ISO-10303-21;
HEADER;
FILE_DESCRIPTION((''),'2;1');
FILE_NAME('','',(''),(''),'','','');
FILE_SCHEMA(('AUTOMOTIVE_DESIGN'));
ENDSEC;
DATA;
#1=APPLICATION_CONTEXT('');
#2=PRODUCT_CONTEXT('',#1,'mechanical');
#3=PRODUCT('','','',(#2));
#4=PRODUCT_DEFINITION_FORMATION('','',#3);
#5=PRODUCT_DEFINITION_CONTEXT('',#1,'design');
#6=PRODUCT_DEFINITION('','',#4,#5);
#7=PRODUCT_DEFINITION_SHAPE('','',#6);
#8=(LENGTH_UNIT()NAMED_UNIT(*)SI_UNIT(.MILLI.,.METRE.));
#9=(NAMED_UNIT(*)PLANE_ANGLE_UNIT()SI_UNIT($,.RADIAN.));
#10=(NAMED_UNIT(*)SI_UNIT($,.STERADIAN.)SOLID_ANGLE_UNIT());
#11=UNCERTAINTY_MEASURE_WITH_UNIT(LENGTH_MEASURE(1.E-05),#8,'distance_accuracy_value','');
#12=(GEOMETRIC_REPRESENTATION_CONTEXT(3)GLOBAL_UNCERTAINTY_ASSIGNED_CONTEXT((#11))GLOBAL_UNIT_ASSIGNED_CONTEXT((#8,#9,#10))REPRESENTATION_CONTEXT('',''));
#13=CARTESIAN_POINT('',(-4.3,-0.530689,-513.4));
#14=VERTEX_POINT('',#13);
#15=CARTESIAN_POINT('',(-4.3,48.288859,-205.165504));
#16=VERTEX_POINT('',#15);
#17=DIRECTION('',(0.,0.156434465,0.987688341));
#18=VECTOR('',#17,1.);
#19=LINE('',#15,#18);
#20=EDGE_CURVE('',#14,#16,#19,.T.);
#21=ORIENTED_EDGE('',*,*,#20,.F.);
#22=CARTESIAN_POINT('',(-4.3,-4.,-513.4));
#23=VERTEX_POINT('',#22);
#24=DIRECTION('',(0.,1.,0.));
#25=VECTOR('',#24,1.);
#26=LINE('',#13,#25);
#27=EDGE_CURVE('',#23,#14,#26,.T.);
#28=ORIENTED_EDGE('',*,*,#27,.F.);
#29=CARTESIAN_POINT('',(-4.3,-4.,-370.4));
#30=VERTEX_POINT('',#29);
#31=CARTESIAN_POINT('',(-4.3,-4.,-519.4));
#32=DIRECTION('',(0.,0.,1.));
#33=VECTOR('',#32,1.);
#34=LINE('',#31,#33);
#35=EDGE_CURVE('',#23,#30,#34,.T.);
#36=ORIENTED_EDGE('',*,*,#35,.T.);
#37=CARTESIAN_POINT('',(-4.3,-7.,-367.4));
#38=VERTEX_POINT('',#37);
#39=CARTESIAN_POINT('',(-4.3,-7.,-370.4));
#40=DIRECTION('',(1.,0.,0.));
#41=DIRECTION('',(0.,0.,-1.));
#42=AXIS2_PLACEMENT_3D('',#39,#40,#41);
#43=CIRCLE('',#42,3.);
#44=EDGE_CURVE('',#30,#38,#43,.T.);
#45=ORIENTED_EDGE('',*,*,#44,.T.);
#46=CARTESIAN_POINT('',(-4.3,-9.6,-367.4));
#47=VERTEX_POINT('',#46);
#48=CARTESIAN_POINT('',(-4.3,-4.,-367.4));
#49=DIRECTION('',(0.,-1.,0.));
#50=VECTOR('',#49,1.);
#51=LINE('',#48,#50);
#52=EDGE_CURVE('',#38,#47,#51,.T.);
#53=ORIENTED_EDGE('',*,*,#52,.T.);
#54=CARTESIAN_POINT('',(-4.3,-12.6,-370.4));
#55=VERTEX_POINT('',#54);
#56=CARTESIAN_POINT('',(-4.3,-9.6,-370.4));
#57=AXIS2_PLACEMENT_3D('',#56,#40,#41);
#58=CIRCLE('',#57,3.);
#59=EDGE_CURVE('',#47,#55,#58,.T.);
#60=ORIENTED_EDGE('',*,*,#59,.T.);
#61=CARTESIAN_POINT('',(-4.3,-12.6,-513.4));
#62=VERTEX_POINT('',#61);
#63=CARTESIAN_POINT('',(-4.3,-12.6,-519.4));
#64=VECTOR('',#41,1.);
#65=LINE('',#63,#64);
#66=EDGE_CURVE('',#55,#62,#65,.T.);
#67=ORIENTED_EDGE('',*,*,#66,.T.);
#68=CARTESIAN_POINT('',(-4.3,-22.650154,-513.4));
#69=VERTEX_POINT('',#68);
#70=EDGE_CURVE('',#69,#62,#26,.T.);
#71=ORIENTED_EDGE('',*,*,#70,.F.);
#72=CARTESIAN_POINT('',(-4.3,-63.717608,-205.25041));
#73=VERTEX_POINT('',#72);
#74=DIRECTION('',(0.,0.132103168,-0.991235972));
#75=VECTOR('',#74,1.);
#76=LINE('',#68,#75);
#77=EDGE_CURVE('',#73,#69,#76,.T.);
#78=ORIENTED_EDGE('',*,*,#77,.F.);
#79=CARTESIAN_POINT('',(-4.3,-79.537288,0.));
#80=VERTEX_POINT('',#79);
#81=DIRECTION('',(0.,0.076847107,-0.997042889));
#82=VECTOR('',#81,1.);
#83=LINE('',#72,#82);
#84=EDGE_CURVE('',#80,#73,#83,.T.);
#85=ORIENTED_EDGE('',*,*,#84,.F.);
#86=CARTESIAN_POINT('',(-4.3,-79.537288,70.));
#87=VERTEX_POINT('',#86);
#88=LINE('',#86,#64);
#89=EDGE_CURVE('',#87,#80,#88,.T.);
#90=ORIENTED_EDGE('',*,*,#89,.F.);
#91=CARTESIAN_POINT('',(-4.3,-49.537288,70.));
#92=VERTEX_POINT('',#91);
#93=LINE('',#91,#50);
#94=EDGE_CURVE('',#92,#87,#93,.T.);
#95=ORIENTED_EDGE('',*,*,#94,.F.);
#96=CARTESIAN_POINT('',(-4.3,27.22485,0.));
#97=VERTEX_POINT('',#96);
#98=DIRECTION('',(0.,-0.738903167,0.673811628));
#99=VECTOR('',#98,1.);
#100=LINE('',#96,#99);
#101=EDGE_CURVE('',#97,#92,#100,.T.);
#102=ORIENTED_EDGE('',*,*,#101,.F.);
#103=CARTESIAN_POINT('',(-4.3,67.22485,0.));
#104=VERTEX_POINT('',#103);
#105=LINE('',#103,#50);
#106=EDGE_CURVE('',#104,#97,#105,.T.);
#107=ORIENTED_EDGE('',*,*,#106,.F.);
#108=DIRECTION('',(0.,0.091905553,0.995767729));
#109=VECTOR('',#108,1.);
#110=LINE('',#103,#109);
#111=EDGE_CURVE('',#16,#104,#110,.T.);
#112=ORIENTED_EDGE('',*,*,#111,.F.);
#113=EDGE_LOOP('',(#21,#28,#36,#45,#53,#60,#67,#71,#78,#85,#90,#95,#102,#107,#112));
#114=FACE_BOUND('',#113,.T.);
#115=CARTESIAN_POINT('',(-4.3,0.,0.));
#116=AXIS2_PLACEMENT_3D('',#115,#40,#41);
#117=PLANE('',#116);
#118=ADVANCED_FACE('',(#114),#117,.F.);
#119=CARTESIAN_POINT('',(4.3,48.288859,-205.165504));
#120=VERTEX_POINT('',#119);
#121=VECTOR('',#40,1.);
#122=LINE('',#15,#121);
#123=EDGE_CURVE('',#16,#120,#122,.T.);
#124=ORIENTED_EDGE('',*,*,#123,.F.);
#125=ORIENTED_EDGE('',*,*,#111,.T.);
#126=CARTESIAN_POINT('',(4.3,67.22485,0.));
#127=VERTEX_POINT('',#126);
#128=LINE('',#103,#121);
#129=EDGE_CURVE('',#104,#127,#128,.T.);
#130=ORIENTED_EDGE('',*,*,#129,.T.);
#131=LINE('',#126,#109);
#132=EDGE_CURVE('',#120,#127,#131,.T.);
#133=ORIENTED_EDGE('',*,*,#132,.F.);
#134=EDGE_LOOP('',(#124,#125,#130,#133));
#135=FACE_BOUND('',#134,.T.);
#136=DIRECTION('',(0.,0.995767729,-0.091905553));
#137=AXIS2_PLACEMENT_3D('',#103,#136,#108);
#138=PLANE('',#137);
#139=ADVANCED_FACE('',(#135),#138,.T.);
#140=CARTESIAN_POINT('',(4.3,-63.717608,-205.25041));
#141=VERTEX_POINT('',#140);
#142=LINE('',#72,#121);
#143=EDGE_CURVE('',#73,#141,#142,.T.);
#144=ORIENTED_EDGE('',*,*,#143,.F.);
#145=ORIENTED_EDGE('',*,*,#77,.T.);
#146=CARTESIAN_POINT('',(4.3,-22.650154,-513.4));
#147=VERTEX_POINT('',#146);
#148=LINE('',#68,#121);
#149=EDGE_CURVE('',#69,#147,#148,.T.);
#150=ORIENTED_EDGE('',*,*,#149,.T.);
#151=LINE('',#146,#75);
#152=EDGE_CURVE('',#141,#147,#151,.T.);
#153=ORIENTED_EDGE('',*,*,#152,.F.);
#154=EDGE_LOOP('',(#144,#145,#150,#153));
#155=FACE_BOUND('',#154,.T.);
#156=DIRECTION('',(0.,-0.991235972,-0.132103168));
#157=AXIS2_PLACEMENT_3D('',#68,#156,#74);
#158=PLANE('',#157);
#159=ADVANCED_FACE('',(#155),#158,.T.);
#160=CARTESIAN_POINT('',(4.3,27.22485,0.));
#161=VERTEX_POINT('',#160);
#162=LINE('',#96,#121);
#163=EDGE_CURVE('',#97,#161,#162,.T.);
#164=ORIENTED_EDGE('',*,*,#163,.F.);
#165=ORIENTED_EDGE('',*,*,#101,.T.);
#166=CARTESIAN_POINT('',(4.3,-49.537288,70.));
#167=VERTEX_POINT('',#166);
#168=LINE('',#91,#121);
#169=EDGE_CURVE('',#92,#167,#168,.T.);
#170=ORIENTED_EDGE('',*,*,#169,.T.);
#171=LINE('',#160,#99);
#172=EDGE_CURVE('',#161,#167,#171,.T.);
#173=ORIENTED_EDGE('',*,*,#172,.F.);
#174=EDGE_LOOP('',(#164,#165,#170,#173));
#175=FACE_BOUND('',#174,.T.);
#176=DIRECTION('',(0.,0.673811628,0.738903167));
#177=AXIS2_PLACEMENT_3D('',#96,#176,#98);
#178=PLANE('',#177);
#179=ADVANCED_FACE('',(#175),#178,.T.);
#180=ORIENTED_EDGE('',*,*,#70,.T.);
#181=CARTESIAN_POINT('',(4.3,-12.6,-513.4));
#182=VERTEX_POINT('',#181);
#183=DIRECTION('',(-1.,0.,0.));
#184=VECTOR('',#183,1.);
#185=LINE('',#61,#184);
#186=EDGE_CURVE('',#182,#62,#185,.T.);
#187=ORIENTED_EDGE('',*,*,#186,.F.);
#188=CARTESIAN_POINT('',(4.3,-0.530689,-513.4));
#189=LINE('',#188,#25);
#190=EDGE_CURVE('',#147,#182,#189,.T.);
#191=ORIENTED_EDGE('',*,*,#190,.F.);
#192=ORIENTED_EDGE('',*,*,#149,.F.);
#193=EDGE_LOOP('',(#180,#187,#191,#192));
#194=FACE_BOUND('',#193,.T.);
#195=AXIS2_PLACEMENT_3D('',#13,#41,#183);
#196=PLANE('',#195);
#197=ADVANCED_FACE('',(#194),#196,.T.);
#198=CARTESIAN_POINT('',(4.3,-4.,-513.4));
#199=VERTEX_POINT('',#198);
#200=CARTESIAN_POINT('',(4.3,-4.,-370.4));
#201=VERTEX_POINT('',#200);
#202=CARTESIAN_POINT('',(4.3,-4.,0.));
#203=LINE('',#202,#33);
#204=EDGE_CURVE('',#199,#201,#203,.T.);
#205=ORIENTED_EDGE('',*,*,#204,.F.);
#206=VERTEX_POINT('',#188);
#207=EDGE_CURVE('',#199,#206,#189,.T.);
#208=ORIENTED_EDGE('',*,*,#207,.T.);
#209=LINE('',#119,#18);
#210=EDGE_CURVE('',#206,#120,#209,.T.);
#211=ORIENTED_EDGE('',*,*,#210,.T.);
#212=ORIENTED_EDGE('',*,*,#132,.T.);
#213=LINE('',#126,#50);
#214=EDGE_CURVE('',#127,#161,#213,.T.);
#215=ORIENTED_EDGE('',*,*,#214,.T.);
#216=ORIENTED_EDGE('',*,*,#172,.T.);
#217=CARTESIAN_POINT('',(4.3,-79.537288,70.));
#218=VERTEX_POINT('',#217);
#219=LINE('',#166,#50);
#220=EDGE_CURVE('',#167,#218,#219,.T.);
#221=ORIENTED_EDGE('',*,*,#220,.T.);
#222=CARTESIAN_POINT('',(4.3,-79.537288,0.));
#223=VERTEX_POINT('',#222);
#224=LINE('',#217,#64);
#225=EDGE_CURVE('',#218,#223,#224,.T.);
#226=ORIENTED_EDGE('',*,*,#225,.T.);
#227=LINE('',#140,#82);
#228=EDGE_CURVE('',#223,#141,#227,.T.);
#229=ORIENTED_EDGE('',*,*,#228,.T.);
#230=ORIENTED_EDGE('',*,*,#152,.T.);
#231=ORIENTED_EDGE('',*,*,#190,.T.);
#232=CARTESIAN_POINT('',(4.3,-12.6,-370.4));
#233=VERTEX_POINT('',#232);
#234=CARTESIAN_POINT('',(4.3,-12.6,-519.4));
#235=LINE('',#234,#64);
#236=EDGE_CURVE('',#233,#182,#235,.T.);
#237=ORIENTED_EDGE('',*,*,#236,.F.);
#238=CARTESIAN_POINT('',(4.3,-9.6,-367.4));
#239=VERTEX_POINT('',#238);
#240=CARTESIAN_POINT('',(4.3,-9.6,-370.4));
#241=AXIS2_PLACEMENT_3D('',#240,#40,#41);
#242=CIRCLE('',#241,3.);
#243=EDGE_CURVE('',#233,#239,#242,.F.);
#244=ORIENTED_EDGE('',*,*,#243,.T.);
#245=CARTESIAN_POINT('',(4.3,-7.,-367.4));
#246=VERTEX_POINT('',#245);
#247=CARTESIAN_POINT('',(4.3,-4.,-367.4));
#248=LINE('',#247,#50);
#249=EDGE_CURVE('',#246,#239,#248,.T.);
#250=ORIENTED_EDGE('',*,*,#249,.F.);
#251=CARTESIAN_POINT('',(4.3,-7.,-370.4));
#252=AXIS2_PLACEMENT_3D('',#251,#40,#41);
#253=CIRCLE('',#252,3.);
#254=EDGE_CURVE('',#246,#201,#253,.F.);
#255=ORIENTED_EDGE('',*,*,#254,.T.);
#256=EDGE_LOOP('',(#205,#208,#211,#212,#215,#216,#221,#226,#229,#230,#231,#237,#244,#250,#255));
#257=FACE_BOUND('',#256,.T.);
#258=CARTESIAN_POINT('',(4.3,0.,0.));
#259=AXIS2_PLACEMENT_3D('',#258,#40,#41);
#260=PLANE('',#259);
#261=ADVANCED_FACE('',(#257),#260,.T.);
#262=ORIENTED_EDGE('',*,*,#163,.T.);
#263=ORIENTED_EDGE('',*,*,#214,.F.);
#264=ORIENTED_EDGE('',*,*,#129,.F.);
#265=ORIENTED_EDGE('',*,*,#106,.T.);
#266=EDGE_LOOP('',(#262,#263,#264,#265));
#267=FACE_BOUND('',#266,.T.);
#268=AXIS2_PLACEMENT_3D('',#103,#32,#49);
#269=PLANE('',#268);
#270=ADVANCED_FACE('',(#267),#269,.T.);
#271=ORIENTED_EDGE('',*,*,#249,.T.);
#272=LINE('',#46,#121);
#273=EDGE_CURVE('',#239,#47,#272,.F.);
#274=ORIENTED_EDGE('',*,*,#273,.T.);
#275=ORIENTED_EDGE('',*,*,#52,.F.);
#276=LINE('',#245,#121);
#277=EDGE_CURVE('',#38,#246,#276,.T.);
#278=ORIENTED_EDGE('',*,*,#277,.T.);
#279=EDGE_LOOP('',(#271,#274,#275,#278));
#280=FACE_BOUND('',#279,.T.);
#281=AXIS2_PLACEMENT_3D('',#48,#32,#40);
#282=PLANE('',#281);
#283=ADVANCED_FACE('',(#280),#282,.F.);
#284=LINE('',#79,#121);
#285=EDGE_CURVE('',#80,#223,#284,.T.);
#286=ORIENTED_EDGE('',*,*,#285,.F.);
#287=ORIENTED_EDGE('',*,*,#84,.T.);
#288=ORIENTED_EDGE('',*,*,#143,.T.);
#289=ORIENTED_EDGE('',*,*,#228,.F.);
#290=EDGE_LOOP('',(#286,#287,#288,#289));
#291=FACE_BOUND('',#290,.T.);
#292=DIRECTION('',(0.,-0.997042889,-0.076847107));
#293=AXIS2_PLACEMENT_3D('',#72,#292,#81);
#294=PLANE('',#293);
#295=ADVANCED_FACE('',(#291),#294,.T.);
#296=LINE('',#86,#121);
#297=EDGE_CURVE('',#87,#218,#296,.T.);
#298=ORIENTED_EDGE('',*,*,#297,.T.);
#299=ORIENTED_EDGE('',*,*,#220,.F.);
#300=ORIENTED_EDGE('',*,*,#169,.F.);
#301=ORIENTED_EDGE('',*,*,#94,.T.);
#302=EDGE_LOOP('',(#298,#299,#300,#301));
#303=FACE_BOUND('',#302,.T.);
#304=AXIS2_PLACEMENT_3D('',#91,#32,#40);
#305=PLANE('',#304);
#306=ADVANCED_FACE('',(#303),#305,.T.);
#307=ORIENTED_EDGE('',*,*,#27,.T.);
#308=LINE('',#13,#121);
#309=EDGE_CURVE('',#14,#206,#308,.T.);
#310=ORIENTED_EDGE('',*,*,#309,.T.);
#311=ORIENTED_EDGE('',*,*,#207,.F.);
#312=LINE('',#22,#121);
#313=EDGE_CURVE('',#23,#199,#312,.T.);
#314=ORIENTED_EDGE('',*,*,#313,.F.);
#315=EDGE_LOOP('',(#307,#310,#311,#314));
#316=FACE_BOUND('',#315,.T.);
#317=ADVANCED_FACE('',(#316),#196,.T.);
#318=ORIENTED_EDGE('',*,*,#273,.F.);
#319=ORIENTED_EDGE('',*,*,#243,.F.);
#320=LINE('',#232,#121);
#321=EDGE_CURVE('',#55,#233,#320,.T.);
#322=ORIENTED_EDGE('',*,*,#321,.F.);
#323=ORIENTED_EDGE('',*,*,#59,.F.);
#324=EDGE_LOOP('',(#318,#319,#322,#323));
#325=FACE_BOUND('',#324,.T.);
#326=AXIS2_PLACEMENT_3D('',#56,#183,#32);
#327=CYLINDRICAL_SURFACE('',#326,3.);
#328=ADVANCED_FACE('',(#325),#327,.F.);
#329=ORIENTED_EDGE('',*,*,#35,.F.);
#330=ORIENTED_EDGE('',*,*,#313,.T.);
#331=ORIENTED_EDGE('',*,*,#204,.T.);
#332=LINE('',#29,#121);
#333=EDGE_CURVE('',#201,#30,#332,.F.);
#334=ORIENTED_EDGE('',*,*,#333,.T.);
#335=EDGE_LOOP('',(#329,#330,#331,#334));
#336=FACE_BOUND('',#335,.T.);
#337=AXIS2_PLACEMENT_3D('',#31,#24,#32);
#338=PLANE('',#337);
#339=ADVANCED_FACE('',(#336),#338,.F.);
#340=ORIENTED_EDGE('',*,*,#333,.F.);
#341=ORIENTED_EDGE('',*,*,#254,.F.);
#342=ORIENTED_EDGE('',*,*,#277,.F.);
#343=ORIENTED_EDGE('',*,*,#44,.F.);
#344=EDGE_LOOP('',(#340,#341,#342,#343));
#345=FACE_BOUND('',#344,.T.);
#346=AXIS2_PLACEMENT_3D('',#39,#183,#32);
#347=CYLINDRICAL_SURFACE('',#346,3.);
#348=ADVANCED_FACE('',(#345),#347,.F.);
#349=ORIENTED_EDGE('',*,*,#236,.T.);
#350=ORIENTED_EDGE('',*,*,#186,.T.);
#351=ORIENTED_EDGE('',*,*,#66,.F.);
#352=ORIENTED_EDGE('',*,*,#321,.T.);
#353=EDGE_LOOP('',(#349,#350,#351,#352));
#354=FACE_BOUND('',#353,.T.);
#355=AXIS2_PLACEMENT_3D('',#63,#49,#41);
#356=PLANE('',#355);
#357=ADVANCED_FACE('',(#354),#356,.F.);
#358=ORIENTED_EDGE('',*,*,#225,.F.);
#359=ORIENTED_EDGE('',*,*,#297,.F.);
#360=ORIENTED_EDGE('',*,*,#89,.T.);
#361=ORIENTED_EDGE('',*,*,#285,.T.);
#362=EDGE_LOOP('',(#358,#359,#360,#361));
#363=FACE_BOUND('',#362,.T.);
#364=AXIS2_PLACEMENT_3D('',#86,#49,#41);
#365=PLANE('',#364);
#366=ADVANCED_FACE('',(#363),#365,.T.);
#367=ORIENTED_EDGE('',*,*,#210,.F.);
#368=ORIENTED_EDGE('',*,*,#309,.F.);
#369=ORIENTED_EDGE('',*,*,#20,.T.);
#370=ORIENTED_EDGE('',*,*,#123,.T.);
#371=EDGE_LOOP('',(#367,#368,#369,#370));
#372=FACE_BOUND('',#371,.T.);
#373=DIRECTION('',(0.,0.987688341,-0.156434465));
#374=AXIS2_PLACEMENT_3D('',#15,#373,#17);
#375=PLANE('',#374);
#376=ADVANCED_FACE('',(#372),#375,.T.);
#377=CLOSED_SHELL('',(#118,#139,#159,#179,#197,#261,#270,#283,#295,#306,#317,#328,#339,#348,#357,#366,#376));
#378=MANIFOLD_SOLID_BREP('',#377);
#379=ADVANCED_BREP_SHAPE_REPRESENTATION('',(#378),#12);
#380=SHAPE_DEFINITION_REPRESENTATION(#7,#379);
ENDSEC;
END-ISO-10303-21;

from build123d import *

# Parameters (mm, degrees)
BOSS_EXTRUDE1_DEPTH      = 4.3
BOSS_EXTRUDE1_DEPTH_BACK = 4.3
SKETCH3_W                = 152
SKETCH3_H                = 8.6
CUT_EXTRUDE1_DEPTH       = 520.595708462
FILLET1_R                = 3


with BuildPart() as part:
    # Sketch2 → Boss-Extrude1 (new, two sides: drawn at the far end of the back side and taken through both)
    with BuildSketch(Plane(origin=(0, 0, 0), x_dir=(0, 0, -1), z_dir=(1, 0, 0)).offset(-BOSS_EXTRUDE1_DEPTH_BACK)):
        Polygon((0, 67.22485033), (205.165503831, 48.288859026), (513.4, -0.530689138), (513.4, -22.650154351), (205.250409944, -63.717607751), (0, -79.537288439), (-70, -79.537288439), (-70, -49.537288439), (0, 27.22485033), align=None)
    extrude(amount=BOSS_EXTRUDE1_DEPTH + BOSS_EXTRUDE1_DEPTH_BACK)

    # Sketch3 → Cut-Extrude1 (cut, through all)
    with BuildSketch(Plane(origin=(4.3, 0, 0), x_dir=(0, 0, -1), z_dir=(1, 0, 0))):
        with Locations((443.4, -8.3)):
            Rectangle(SKETCH3_W, SKETCH3_H)
    extrude(amount=-CUT_EXTRUDE1_DEPTH, mode=Mode.SUBTRACT)

    # Fillet1
    fillet1_edges = [part.edges().sort_by_distance(p)[0] for p in [
        (0, -12.6, -367.4),
        (0, -4, -367.4),
    ]]
    fillet(fillet1_edges, radius=FILLET1_R)


solid = part.part
